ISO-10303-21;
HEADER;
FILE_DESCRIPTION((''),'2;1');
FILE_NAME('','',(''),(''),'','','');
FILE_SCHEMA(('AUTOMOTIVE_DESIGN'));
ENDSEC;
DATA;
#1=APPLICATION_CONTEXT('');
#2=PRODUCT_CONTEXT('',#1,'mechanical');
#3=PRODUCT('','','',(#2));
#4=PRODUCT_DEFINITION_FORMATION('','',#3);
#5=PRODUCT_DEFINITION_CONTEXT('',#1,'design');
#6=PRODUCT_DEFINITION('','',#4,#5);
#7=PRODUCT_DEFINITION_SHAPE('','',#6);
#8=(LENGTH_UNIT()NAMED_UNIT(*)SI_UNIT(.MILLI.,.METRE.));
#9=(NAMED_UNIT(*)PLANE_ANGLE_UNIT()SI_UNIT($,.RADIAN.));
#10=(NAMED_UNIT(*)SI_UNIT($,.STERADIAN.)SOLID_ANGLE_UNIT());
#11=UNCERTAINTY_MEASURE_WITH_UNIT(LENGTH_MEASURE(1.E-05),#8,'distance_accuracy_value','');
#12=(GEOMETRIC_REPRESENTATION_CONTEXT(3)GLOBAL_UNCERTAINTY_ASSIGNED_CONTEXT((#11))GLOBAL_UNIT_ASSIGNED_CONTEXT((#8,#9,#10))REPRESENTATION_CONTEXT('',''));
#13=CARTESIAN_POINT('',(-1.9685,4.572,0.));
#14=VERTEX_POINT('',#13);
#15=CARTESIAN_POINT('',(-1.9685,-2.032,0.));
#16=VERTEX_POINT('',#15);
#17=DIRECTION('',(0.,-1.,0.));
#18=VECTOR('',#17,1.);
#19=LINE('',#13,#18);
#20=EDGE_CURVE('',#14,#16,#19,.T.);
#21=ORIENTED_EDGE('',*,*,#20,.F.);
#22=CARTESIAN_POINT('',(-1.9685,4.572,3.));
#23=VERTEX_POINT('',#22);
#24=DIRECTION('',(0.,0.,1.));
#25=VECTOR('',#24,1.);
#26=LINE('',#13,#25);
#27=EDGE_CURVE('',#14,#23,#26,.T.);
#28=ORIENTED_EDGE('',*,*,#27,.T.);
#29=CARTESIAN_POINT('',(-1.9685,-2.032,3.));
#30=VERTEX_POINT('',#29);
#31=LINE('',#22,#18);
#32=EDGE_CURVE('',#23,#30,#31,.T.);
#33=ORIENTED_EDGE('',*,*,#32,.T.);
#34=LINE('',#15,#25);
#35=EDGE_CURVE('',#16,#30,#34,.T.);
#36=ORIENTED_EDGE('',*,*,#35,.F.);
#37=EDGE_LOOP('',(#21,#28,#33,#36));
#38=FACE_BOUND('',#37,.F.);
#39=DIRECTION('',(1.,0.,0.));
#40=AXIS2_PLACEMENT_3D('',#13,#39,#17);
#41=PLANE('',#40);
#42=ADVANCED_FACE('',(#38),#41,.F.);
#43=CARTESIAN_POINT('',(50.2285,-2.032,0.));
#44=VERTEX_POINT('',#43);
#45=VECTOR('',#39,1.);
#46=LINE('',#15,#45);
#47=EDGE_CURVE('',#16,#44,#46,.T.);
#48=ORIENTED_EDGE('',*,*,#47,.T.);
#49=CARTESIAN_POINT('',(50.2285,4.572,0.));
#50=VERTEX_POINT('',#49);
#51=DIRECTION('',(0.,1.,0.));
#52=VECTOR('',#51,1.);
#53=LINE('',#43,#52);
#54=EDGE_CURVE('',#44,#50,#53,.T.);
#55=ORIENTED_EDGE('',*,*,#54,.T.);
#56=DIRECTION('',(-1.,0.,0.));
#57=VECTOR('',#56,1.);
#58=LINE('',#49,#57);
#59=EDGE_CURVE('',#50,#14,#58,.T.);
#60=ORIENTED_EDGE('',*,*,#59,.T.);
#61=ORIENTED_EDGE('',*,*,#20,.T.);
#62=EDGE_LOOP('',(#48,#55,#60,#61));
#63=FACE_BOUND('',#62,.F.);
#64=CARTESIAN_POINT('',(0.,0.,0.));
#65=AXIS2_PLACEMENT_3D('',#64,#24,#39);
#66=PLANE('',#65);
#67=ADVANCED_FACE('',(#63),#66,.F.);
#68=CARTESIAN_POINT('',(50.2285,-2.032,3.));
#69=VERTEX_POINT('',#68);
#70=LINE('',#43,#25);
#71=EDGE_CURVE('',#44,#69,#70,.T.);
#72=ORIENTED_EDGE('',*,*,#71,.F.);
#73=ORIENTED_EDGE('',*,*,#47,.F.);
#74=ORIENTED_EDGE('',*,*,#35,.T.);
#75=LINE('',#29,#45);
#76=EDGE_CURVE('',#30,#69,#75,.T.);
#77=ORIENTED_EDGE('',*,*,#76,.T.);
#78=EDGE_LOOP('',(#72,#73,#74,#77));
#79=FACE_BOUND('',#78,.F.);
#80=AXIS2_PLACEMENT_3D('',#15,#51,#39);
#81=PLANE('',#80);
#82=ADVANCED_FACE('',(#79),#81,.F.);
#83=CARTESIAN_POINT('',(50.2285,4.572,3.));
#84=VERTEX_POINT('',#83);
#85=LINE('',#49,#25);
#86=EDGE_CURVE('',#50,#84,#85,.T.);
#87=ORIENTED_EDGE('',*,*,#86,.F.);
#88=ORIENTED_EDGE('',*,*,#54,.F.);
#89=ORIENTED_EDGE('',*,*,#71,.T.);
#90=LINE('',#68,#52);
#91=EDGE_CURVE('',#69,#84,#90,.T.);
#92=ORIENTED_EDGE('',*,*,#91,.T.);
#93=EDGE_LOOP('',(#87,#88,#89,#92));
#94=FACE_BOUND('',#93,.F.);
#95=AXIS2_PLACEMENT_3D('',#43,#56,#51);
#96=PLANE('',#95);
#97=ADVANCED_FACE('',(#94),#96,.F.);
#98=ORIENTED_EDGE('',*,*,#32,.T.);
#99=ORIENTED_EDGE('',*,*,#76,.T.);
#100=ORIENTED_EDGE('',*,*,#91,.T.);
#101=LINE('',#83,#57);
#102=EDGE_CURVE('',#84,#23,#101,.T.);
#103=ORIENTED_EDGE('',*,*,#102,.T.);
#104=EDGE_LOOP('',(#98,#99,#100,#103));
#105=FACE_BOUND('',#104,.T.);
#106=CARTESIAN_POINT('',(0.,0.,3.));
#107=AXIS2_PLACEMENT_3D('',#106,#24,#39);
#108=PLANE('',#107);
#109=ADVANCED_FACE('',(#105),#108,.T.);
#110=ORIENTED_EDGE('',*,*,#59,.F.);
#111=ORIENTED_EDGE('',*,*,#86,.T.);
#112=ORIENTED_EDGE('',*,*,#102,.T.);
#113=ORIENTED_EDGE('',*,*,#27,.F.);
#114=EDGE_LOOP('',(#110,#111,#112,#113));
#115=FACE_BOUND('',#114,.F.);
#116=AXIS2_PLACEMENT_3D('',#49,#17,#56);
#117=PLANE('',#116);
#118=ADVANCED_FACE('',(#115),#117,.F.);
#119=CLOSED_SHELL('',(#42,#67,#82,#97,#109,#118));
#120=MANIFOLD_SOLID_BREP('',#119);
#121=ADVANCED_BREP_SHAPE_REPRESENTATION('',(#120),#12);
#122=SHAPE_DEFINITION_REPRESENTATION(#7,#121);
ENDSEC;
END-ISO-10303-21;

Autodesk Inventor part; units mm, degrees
ref_plane "YZ Plane" through (0, 0, 0) normal (1, 0, 0) x (0, 1, 0)
ref_plane "XZ Plane" through (0, 0, 0) normal (0, 1, 0) x (-1, 0, 0)
ref_plane "XY Plane" through (0, 0, 0) normal (0, 0, 1) x (1, 0, 0)
sketch "3MMH-40, 2540-6002_14" plane through (0, 0, 0) normal (0, 0, 1) x (1, 0, 0)
  line L0 (-1.9685, -2.032) -> (50.2285, -2.032)
  line L1 (50.2285, -2.032) -> (50.2285, 4.572)
  line L2 (50.2285, 4.572) -> (-1.9685, 4.572)
  line L3 (-1.9685, 4.572) -> (-1.9685, -2.032)
extrude "Extrusion1" add sketch "3MMH-40, 2540-6002_14" along normal blind 3
properties part number "2540-6002"
